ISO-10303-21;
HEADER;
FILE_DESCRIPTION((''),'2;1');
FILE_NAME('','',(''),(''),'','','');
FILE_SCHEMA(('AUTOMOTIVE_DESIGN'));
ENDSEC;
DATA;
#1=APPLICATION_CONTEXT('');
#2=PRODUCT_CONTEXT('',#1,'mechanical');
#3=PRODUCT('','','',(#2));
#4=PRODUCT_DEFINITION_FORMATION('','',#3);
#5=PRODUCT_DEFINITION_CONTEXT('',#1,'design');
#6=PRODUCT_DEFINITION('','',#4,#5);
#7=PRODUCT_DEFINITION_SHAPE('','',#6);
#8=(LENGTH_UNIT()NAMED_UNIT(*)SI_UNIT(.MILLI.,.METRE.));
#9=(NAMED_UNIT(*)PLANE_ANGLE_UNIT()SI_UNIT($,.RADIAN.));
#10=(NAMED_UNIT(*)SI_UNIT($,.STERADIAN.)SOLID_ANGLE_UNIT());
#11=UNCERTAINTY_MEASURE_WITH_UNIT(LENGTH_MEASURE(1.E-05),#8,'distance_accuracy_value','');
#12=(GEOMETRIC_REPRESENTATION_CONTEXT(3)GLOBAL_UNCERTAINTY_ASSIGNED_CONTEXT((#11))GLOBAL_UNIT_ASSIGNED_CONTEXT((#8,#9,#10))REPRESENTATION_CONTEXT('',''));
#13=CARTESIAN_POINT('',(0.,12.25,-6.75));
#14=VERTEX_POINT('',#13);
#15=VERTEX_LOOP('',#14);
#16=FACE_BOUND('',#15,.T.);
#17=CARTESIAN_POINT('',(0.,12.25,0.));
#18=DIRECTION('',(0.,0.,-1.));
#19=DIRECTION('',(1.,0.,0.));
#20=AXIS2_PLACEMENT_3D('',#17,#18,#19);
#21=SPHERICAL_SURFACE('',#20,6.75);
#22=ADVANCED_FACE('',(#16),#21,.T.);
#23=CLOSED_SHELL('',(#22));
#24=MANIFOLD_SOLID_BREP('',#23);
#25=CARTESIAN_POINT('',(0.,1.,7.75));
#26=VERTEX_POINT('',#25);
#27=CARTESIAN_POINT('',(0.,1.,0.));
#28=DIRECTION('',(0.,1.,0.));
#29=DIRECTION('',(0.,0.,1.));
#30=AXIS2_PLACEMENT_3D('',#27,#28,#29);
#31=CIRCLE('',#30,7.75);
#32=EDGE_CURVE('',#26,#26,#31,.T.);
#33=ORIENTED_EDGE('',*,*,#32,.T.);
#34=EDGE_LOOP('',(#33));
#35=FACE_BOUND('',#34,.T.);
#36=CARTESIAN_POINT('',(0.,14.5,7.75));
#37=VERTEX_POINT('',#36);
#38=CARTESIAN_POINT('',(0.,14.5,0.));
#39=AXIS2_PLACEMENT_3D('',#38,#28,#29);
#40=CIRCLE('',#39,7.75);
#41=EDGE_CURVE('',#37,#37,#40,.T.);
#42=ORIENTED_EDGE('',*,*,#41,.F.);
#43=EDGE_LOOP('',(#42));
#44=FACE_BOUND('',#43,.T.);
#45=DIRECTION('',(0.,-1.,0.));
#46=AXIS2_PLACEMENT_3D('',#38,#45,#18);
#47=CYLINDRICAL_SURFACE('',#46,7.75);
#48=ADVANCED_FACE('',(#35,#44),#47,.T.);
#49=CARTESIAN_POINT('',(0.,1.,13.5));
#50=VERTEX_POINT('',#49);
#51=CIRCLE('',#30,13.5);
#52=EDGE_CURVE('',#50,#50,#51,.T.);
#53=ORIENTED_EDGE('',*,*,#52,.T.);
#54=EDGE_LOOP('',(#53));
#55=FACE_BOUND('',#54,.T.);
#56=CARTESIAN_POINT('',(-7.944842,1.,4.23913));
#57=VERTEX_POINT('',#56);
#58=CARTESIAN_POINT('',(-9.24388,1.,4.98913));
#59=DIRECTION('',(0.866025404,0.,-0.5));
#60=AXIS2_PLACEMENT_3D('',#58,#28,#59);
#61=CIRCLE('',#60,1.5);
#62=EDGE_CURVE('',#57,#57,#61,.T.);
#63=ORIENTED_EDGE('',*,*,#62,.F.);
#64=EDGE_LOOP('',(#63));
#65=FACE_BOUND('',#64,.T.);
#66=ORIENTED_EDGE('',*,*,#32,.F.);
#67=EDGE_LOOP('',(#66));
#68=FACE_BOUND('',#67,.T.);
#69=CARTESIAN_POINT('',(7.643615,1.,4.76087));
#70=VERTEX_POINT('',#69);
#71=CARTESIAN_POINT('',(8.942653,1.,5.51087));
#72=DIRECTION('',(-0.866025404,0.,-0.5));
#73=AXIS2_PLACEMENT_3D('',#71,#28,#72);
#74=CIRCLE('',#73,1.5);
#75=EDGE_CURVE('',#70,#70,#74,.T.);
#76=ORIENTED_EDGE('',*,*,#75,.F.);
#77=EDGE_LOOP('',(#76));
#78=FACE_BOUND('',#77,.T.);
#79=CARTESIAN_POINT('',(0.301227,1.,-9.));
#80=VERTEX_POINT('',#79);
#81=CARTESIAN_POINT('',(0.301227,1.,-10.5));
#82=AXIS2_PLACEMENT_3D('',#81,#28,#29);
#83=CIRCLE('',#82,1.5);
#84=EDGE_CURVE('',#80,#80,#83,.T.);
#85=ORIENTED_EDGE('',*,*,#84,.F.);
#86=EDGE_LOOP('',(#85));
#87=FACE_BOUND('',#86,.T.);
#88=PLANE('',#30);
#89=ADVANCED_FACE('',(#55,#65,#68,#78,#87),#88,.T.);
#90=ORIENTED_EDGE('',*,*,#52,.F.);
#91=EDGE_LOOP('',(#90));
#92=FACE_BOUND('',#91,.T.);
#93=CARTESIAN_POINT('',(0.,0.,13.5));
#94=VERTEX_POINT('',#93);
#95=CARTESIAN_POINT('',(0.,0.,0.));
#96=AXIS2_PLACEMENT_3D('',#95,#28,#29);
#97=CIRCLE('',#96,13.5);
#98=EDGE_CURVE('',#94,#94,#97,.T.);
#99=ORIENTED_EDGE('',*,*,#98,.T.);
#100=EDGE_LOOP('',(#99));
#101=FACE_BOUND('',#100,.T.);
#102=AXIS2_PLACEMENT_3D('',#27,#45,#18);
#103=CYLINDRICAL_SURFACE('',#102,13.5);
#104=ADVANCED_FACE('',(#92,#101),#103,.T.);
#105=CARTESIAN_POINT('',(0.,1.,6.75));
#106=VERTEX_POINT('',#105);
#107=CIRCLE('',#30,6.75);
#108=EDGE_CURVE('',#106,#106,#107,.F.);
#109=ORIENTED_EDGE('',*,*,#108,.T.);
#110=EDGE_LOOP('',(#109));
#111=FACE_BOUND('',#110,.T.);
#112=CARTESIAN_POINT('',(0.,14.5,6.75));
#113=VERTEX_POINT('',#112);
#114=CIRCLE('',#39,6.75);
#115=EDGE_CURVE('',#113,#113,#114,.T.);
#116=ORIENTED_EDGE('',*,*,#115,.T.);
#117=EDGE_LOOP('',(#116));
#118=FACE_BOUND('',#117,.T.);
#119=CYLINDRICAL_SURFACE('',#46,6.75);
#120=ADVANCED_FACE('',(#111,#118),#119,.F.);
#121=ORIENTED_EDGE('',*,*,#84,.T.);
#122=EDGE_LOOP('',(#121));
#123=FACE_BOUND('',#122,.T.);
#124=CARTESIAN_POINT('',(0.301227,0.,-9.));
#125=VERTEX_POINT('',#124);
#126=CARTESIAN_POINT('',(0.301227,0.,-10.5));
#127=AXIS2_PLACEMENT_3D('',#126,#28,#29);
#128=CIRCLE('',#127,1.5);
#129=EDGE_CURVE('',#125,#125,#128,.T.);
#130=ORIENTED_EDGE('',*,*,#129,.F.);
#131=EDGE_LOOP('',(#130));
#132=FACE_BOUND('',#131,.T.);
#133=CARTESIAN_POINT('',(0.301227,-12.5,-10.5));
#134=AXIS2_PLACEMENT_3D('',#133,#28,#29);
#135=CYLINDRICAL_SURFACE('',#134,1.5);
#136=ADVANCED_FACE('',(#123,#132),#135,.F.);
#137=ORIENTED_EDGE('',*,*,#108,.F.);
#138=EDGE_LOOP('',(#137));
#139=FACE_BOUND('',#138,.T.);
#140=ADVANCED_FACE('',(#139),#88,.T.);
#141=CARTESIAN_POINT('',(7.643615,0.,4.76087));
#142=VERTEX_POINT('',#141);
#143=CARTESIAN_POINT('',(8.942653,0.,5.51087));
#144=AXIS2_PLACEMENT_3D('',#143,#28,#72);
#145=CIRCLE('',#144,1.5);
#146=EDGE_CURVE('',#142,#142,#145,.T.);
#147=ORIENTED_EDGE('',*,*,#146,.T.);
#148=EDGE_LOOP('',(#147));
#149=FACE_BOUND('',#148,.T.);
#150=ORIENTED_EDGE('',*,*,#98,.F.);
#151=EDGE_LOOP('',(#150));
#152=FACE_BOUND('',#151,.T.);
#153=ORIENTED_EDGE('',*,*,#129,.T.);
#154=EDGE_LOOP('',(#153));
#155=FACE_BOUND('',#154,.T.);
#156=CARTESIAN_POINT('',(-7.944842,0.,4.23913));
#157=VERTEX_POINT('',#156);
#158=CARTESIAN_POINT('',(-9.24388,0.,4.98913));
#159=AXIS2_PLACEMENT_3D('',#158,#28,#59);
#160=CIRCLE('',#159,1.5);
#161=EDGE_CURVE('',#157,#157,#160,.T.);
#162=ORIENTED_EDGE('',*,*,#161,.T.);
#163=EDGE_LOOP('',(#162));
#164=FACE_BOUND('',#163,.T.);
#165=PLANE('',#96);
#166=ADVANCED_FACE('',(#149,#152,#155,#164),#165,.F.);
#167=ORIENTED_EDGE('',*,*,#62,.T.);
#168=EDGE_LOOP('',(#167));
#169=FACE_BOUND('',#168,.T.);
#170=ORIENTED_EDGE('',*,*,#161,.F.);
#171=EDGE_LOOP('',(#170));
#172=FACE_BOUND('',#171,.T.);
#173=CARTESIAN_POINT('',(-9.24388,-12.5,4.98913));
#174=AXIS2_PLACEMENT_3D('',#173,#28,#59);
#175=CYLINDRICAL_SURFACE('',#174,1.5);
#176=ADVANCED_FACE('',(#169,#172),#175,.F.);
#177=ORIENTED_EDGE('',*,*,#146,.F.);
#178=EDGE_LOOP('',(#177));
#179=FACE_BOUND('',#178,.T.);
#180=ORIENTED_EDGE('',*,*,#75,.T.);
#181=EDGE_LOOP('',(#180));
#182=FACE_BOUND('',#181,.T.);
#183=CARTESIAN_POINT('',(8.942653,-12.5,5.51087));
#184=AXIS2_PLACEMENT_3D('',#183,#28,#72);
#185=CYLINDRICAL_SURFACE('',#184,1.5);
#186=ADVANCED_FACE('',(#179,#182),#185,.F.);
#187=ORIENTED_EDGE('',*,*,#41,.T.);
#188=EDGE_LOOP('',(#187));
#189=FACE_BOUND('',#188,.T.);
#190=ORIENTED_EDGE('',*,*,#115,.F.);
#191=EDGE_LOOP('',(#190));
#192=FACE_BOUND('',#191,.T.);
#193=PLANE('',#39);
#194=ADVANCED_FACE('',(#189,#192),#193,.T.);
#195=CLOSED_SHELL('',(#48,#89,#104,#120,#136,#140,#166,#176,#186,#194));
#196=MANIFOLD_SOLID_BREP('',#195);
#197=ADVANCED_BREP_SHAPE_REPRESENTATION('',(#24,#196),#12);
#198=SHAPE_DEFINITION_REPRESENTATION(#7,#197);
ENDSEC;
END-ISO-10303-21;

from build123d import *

# Parameters (mm, degrees)
SKETCH1_R           = 13.5
BOSS_EXTRUDE1_DEPTH = 1
SKETCH2_R           = 7.75
BOSS_EXTRUDE2_DEPTH = 13.5
SHELL1_T            = -1
SKETCH5_R           = 1.5
CUT_EXTRUDE1_DEPTH  = 13.5
CIRPATTERN1_COUNT   = 3


with BuildPart() as part:
    # Sketch1 → Boss-Extrude1 (new body)
    with BuildSketch(Plane(origin=(0, 0, 0), x_dir=(1, 0, 0), z_dir=(0, 1, 0))):
        with Locations(Location((0, 0, 0), (0, 0, 270))):
            Circle(SKETCH1_R)
    extrude(amount=BOSS_EXTRUDE1_DEPTH)

    # Sketch2 → Boss-Extrude2 (add)
    with BuildSketch(Plane(origin=(0, 1, 0), x_dir=(1, 0, 0), z_dir=(0, 1, 0))):
        with Locations(Location((0, 0, 0), (0, 0, 270))):
            Circle(SKETCH2_R)
    extrude(amount=BOSS_EXTRUDE2_DEPTH)

    # Shell1
    shell1_openings = [part.faces().sort_by_distance(p)[0] for p in [
        (0, 14.5, 0),
    ]]
    offset(amount=SHELL1_T, openings=shell1_openings, kind=Kind.INTERSECTION)

    # Sketch5 → Cut-Extrude1 (cut)
    with BuildSketch(Plane(origin=(0, 1, 0), x_dir=(1, 0, 0), z_dir=(0, 1, 0))):
        with Locations(Location((0.301226675, 10.5, 0), (0, 0, 270))):
            Circle(SKETCH5_R)
    cut_extrude1 = extrude(amount=-CUT_EXTRUDE1_DEPTH, mode=Mode.SUBTRACT)

    # CirPattern1: Cut-Extrude1 ×3 about axis
    cirpattern1_axis = Axis((0, 0, 0), (0, 1, 0))
    for i in range(1, CIRPATTERN1_COUNT):
        add(cut_extrude1.rotate(cirpattern1_axis, i * 360 / CIRPATTERN1_COUNT), mode=Mode.SUBTRACT)


with BuildPart() as body_2:
    # Sketch4 → Revolve3 (revolve)
    with BuildSketch(Plane(origin=(0, 12.25, 0), x_dir=(1, 0, 0), z_dir=(0, 1, 0))):
        with BuildLine():
            Line((0, 6.75), (0, -6.75))
            ThreePointArc((0, -6.75), (-6.75, 0), (0, 6.75))
        make_face()
    revolve(axis=Axis((0, 12.25, -6.75), (0, 0, 1)))


solid = Compound([part.part, body_2.part])
